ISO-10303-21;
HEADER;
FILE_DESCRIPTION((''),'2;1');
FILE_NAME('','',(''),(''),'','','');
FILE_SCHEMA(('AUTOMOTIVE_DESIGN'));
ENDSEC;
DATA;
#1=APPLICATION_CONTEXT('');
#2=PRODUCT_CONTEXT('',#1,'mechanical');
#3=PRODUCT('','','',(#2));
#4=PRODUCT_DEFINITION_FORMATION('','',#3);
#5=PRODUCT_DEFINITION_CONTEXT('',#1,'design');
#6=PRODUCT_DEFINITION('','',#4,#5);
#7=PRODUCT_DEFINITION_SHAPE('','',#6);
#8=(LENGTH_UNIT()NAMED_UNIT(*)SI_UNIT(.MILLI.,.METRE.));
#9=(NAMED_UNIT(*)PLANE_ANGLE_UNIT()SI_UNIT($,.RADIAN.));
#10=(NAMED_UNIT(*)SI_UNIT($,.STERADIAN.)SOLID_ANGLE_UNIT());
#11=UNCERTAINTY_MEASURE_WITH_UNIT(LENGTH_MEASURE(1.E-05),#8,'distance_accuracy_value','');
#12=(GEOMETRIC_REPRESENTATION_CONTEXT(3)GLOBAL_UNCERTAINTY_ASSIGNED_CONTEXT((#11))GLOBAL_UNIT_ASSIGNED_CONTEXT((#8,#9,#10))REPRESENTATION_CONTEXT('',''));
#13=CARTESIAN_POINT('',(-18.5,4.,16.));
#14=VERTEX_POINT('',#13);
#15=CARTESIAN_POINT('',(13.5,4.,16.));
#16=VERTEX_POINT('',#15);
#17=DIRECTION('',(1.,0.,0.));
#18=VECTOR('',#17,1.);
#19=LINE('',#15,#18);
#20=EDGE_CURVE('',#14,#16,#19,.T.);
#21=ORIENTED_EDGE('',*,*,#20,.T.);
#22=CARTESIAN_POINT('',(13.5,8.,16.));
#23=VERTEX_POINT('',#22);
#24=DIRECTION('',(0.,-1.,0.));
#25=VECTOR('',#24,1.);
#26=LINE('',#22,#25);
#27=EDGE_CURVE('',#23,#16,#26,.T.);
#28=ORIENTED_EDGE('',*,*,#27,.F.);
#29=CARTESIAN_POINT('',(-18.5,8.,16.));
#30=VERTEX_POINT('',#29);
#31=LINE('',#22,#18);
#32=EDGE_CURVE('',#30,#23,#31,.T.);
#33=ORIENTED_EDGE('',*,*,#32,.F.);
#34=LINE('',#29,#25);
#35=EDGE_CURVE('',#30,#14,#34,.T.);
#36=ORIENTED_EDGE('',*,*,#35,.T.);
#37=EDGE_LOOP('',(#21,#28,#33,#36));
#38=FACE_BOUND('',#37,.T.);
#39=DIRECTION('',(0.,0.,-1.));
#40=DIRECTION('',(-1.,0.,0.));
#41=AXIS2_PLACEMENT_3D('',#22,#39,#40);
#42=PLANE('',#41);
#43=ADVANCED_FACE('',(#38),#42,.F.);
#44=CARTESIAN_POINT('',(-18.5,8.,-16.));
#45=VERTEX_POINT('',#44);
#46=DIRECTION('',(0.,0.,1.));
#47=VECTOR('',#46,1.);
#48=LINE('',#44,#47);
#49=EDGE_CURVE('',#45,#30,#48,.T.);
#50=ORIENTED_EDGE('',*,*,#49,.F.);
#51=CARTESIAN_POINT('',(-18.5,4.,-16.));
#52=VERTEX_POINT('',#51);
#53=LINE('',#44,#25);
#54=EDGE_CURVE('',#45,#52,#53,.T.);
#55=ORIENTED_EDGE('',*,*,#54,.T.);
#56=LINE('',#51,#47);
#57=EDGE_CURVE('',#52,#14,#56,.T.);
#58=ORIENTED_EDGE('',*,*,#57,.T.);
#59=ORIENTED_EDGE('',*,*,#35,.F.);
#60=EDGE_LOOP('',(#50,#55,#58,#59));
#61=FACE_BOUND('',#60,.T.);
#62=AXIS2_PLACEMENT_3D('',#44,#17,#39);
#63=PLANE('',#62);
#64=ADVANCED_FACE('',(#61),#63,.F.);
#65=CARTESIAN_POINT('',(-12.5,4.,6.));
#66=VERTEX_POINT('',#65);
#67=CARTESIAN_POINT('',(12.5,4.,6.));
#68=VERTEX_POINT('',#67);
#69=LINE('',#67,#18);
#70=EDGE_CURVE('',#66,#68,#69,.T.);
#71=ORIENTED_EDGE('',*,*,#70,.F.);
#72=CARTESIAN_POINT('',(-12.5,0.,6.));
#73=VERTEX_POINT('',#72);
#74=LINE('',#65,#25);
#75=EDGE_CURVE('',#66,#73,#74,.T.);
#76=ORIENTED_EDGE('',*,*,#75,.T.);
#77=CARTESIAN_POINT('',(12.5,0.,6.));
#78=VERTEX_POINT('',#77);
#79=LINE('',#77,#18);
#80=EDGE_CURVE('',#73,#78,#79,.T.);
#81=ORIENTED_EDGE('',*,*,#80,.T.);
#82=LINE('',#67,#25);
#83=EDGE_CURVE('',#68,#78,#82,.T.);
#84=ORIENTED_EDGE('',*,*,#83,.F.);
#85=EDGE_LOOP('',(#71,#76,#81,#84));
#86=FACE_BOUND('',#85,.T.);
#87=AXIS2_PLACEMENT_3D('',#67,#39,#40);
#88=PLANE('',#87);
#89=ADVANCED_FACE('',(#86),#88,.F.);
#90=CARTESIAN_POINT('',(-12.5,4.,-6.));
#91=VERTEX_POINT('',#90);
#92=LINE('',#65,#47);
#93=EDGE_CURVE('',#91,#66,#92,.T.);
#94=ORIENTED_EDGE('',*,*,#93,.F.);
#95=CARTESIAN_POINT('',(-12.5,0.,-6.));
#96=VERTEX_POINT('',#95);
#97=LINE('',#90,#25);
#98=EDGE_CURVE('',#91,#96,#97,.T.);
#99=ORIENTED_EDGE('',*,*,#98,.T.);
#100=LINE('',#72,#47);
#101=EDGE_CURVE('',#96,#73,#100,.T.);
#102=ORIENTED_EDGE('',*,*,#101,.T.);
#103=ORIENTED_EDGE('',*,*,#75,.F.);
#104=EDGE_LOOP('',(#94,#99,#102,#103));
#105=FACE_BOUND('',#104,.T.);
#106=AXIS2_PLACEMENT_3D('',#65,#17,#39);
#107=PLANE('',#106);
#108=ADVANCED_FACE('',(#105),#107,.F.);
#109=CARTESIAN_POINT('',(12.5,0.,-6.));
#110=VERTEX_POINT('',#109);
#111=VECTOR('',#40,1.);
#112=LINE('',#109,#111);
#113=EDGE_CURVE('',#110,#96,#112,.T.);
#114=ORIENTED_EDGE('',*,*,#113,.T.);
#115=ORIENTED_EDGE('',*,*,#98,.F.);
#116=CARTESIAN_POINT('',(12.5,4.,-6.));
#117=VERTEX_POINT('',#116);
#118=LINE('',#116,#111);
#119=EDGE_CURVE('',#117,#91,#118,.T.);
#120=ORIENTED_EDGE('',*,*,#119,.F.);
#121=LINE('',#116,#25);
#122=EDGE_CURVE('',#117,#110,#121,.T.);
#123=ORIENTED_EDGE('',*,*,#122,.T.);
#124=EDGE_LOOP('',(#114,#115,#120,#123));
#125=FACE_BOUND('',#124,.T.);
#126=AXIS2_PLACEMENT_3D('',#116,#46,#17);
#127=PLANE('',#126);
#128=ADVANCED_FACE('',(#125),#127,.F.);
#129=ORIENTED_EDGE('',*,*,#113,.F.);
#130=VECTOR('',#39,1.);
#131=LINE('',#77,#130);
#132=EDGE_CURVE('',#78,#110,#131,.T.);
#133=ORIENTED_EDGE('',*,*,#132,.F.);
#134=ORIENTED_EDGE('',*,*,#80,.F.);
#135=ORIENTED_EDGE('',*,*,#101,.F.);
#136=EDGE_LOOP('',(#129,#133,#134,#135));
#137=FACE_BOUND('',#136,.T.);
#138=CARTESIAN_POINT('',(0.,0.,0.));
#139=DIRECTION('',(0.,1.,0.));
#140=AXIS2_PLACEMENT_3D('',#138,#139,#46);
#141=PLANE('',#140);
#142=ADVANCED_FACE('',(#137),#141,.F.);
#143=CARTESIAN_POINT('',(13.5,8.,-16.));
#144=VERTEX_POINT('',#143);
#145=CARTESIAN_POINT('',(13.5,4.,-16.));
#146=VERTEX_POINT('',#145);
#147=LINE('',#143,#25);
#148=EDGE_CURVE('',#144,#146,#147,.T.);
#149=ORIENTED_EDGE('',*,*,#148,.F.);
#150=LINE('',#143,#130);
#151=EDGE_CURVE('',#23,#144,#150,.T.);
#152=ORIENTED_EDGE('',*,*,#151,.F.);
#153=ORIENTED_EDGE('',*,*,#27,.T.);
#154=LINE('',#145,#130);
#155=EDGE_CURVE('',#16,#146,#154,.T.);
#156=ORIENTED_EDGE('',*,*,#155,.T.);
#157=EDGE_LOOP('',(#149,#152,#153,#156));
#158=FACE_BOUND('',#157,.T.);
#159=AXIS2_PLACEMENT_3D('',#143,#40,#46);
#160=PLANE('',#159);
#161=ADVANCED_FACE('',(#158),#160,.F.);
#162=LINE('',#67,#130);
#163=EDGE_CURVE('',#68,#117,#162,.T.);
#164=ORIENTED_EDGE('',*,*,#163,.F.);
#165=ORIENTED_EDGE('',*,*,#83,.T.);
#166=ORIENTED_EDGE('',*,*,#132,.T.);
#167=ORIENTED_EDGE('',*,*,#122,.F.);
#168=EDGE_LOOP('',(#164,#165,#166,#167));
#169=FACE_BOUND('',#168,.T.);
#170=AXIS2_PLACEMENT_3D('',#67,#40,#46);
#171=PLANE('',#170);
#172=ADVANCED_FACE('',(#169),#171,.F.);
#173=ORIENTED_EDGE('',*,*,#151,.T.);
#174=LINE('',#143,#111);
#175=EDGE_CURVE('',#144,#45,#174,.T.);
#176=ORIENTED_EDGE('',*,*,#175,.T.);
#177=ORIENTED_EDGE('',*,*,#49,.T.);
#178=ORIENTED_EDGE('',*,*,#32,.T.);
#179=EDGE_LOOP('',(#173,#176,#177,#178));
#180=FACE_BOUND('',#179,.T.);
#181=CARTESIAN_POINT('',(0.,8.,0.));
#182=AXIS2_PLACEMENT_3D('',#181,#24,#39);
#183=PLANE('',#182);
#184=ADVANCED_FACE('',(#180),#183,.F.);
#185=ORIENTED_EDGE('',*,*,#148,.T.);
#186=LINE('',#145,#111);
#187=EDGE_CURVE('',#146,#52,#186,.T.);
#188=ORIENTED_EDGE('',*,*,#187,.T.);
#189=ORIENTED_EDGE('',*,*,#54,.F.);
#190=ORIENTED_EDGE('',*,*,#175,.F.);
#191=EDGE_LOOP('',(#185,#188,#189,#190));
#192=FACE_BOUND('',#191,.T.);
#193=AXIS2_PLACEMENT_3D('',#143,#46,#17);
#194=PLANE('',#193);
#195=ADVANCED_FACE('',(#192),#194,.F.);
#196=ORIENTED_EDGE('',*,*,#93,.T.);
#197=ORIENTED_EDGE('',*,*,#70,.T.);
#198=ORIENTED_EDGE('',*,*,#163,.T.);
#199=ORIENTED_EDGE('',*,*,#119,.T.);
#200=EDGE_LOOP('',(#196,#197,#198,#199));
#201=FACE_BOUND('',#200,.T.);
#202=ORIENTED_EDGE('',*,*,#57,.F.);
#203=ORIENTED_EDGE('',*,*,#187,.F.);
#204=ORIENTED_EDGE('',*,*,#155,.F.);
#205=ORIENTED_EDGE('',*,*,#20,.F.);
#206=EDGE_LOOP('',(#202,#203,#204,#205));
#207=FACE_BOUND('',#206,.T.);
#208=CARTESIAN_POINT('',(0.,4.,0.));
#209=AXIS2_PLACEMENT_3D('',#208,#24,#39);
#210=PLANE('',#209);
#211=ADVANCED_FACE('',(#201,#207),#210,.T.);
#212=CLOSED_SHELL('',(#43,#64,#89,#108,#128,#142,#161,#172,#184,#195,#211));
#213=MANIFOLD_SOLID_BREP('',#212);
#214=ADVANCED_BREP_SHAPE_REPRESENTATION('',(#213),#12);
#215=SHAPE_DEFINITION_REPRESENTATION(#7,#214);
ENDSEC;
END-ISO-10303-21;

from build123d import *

# Parameters (mm, degrees)
SKETCH1_W           = 25
SKETCH1_H           = 12
BOSS_EXTRUDE1_DEPTH = 4
SKETCH3_W           = 32
SKETCH3_H           = 32
BOSS_EXTRUDE3_DEPTH = 4


with BuildPart() as part:
    # Sketch1 → Boss-Extrude1 (new body)
    with BuildSketch(Plane(origin=(0, 0, 0), x_dir=(1, 0, 0), z_dir=(0, 1, 0))):
        Rectangle(SKETCH1_W, SKETCH1_H)
    extrude(amount=BOSS_EXTRUDE1_DEPTH)

    # Sketch3 → Boss-Extrude3 (add)
    with BuildSketch(Plane(origin=(0, 4, 0), x_dir=(1, 0, 0), z_dir=(0, 1, 0))):
        with Locations((-2.5, 0)):
            Rectangle(SKETCH3_W, SKETCH3_H)
    extrude(amount=BOSS_EXTRUDE3_DEPTH)


solid = part.part
